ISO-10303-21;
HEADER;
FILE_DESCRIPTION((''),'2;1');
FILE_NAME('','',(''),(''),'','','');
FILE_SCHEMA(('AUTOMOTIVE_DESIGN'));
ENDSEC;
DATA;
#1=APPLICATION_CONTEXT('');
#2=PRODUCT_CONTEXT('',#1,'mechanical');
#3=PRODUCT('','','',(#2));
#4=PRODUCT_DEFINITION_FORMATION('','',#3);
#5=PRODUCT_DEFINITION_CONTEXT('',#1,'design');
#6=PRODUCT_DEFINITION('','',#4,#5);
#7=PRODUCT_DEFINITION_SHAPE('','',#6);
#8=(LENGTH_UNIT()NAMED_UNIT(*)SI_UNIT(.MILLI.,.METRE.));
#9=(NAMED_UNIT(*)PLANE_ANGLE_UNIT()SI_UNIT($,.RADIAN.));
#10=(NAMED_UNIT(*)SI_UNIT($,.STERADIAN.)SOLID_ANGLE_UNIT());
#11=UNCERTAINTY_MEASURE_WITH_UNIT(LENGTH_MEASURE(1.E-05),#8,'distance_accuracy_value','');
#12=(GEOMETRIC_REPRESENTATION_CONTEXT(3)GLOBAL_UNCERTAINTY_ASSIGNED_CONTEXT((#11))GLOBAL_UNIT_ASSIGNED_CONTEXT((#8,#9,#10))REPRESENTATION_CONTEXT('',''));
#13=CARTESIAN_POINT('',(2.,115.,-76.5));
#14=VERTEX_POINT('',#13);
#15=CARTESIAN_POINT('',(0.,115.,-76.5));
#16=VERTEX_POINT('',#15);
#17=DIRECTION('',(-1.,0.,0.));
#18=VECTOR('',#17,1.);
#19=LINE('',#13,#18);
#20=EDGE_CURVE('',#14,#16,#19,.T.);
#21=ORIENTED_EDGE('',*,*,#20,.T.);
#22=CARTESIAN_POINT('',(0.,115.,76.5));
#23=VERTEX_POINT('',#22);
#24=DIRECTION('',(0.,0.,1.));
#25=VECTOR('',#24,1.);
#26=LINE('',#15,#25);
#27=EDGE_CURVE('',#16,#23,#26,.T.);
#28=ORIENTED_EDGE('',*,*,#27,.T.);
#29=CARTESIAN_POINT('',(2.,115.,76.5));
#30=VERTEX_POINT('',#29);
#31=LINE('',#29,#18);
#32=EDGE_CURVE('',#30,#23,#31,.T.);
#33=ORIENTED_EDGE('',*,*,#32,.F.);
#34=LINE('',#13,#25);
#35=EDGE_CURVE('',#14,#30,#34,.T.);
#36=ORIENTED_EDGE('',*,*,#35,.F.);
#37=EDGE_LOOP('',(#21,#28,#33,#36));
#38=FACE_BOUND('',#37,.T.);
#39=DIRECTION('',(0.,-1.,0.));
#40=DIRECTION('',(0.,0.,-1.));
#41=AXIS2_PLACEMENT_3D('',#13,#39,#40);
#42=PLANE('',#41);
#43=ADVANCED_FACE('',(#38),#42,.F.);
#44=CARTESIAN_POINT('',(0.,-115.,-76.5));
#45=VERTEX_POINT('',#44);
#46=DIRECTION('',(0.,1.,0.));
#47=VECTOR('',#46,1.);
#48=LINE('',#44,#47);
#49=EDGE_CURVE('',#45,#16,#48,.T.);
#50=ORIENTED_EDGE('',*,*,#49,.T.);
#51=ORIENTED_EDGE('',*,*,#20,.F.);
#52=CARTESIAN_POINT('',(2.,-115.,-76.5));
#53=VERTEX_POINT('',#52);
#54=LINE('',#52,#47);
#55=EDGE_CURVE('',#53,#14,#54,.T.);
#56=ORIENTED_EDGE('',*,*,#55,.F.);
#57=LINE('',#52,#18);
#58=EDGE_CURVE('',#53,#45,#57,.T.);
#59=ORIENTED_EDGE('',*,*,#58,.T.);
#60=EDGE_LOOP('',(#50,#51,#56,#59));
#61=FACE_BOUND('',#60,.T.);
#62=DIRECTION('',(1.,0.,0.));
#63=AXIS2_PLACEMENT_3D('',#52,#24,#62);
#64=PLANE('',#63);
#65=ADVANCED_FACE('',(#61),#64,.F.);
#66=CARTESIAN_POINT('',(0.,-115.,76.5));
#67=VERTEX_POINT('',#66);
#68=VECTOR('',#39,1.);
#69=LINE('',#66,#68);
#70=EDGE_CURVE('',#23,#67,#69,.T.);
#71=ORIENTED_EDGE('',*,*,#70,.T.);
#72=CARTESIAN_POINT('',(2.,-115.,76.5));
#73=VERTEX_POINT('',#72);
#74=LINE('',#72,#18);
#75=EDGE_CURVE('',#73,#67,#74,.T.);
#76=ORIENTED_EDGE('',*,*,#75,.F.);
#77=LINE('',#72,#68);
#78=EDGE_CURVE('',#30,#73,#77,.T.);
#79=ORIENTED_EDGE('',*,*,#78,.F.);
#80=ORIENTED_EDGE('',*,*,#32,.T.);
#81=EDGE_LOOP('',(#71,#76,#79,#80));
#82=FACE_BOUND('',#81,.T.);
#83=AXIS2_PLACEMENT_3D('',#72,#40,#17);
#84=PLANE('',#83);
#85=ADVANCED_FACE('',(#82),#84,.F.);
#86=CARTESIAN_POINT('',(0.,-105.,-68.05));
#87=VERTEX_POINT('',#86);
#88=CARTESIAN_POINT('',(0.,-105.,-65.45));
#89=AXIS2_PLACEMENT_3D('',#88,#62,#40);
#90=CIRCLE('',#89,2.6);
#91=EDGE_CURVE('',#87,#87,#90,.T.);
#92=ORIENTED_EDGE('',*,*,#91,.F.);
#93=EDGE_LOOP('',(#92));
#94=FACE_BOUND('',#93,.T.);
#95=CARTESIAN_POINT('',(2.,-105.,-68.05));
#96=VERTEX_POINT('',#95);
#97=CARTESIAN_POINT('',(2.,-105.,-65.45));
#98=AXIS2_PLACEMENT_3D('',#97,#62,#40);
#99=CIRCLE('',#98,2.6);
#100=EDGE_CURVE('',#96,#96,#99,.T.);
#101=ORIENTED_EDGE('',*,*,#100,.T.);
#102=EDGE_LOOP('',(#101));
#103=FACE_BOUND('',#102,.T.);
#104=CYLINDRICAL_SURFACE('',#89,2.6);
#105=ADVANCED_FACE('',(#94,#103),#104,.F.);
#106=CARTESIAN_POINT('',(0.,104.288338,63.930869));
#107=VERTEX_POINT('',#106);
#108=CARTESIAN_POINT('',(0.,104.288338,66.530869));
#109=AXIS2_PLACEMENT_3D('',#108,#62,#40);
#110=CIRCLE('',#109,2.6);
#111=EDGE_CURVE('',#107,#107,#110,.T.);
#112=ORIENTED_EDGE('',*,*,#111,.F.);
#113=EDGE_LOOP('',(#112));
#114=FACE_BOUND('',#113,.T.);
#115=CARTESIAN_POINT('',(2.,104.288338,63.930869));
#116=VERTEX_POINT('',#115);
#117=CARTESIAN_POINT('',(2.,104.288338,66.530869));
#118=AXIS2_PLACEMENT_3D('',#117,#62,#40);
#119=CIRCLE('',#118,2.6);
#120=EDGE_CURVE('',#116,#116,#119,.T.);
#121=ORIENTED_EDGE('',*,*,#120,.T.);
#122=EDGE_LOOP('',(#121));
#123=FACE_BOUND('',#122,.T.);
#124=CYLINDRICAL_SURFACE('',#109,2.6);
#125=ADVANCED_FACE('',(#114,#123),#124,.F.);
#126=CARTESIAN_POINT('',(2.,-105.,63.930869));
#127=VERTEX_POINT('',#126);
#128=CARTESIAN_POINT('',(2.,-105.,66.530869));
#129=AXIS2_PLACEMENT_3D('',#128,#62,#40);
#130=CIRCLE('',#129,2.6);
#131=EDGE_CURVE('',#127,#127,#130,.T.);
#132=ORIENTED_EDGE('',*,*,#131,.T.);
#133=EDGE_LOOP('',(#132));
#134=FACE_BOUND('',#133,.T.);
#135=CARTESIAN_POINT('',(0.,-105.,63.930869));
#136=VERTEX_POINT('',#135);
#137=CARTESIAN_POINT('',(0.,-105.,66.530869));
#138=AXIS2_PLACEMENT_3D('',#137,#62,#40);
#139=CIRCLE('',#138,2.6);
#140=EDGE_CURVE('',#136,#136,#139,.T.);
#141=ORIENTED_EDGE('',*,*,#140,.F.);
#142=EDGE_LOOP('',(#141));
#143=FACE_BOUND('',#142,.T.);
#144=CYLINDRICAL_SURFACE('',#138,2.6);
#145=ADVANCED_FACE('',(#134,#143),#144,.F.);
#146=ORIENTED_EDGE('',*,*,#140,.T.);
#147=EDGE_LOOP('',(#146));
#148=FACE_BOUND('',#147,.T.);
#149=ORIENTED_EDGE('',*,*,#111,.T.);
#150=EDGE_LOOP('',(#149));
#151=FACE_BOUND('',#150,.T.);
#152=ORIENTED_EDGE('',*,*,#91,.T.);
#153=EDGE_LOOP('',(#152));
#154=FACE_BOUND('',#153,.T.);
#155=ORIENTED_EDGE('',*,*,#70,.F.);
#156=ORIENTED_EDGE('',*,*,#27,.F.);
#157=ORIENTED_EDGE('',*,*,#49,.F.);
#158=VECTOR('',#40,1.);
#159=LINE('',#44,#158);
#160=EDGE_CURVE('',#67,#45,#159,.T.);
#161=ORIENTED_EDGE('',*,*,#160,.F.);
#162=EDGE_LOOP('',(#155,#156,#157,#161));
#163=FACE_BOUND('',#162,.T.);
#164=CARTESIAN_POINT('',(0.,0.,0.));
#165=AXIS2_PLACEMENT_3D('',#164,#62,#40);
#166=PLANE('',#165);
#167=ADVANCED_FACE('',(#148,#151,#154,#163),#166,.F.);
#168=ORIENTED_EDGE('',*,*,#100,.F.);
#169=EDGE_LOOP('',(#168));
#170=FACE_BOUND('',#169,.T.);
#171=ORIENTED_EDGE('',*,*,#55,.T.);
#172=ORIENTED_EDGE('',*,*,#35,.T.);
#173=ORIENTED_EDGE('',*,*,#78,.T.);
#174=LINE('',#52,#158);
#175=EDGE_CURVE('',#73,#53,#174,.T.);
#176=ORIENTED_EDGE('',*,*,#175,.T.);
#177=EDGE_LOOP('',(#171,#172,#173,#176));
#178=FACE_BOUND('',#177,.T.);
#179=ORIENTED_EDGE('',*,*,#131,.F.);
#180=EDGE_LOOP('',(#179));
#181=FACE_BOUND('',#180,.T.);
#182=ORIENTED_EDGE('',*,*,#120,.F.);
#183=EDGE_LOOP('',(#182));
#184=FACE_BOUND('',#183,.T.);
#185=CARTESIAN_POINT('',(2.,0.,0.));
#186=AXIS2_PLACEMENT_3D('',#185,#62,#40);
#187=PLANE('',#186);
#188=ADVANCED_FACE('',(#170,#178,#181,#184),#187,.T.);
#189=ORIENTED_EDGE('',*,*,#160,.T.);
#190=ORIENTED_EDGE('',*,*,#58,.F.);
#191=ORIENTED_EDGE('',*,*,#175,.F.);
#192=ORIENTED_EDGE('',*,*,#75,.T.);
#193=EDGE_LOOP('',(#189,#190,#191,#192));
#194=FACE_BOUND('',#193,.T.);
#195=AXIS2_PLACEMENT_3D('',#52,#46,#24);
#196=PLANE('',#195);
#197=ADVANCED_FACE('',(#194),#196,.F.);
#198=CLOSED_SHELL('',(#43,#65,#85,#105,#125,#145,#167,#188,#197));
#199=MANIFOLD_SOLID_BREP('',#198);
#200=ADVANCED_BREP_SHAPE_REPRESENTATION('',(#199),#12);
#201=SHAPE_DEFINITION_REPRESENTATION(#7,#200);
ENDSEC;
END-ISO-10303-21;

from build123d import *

# Parameters (mm, degrees)
SKICA1_W                 = 153
SKICA1_H                 = 230
P_IDAT_VYSUNUT_M1_DEPTH  = 2
SKICA2_R                 = 2.6
ODEBRAT_VYSUNUT_M1_DEPTH = 2


with BuildPart() as part:
    # Skica1 → Přidat vysunutím1 (new body)
    with BuildSketch(Plane(origin=(0, 0, 0), x_dir=(0, 0, -1), z_dir=(1, 0, 0))):
        Rectangle(SKICA1_W, SKICA1_H)
    extrude(amount=P_IDAT_VYSUNUT_M1_DEPTH)

    # Skica2 → Odebrat vysunutím1 (cut)
    with BuildSketch(Plane(origin=(2, 0, 0), x_dir=(0, 0, -1), z_dir=(1, 0, 0))):
        with Locations((65.45, -105)):
            Circle(SKICA2_R)
        with Locations((-66.530868554, -105)):
            Circle(SKICA2_R)
        with Locations((-66.530868554, 104.288337883)):
            Circle(SKICA2_R)
    extrude(amount=-ODEBRAT_VYSUNUT_M1_DEPTH, mode=Mode.SUBTRACT)


solid = part.part
